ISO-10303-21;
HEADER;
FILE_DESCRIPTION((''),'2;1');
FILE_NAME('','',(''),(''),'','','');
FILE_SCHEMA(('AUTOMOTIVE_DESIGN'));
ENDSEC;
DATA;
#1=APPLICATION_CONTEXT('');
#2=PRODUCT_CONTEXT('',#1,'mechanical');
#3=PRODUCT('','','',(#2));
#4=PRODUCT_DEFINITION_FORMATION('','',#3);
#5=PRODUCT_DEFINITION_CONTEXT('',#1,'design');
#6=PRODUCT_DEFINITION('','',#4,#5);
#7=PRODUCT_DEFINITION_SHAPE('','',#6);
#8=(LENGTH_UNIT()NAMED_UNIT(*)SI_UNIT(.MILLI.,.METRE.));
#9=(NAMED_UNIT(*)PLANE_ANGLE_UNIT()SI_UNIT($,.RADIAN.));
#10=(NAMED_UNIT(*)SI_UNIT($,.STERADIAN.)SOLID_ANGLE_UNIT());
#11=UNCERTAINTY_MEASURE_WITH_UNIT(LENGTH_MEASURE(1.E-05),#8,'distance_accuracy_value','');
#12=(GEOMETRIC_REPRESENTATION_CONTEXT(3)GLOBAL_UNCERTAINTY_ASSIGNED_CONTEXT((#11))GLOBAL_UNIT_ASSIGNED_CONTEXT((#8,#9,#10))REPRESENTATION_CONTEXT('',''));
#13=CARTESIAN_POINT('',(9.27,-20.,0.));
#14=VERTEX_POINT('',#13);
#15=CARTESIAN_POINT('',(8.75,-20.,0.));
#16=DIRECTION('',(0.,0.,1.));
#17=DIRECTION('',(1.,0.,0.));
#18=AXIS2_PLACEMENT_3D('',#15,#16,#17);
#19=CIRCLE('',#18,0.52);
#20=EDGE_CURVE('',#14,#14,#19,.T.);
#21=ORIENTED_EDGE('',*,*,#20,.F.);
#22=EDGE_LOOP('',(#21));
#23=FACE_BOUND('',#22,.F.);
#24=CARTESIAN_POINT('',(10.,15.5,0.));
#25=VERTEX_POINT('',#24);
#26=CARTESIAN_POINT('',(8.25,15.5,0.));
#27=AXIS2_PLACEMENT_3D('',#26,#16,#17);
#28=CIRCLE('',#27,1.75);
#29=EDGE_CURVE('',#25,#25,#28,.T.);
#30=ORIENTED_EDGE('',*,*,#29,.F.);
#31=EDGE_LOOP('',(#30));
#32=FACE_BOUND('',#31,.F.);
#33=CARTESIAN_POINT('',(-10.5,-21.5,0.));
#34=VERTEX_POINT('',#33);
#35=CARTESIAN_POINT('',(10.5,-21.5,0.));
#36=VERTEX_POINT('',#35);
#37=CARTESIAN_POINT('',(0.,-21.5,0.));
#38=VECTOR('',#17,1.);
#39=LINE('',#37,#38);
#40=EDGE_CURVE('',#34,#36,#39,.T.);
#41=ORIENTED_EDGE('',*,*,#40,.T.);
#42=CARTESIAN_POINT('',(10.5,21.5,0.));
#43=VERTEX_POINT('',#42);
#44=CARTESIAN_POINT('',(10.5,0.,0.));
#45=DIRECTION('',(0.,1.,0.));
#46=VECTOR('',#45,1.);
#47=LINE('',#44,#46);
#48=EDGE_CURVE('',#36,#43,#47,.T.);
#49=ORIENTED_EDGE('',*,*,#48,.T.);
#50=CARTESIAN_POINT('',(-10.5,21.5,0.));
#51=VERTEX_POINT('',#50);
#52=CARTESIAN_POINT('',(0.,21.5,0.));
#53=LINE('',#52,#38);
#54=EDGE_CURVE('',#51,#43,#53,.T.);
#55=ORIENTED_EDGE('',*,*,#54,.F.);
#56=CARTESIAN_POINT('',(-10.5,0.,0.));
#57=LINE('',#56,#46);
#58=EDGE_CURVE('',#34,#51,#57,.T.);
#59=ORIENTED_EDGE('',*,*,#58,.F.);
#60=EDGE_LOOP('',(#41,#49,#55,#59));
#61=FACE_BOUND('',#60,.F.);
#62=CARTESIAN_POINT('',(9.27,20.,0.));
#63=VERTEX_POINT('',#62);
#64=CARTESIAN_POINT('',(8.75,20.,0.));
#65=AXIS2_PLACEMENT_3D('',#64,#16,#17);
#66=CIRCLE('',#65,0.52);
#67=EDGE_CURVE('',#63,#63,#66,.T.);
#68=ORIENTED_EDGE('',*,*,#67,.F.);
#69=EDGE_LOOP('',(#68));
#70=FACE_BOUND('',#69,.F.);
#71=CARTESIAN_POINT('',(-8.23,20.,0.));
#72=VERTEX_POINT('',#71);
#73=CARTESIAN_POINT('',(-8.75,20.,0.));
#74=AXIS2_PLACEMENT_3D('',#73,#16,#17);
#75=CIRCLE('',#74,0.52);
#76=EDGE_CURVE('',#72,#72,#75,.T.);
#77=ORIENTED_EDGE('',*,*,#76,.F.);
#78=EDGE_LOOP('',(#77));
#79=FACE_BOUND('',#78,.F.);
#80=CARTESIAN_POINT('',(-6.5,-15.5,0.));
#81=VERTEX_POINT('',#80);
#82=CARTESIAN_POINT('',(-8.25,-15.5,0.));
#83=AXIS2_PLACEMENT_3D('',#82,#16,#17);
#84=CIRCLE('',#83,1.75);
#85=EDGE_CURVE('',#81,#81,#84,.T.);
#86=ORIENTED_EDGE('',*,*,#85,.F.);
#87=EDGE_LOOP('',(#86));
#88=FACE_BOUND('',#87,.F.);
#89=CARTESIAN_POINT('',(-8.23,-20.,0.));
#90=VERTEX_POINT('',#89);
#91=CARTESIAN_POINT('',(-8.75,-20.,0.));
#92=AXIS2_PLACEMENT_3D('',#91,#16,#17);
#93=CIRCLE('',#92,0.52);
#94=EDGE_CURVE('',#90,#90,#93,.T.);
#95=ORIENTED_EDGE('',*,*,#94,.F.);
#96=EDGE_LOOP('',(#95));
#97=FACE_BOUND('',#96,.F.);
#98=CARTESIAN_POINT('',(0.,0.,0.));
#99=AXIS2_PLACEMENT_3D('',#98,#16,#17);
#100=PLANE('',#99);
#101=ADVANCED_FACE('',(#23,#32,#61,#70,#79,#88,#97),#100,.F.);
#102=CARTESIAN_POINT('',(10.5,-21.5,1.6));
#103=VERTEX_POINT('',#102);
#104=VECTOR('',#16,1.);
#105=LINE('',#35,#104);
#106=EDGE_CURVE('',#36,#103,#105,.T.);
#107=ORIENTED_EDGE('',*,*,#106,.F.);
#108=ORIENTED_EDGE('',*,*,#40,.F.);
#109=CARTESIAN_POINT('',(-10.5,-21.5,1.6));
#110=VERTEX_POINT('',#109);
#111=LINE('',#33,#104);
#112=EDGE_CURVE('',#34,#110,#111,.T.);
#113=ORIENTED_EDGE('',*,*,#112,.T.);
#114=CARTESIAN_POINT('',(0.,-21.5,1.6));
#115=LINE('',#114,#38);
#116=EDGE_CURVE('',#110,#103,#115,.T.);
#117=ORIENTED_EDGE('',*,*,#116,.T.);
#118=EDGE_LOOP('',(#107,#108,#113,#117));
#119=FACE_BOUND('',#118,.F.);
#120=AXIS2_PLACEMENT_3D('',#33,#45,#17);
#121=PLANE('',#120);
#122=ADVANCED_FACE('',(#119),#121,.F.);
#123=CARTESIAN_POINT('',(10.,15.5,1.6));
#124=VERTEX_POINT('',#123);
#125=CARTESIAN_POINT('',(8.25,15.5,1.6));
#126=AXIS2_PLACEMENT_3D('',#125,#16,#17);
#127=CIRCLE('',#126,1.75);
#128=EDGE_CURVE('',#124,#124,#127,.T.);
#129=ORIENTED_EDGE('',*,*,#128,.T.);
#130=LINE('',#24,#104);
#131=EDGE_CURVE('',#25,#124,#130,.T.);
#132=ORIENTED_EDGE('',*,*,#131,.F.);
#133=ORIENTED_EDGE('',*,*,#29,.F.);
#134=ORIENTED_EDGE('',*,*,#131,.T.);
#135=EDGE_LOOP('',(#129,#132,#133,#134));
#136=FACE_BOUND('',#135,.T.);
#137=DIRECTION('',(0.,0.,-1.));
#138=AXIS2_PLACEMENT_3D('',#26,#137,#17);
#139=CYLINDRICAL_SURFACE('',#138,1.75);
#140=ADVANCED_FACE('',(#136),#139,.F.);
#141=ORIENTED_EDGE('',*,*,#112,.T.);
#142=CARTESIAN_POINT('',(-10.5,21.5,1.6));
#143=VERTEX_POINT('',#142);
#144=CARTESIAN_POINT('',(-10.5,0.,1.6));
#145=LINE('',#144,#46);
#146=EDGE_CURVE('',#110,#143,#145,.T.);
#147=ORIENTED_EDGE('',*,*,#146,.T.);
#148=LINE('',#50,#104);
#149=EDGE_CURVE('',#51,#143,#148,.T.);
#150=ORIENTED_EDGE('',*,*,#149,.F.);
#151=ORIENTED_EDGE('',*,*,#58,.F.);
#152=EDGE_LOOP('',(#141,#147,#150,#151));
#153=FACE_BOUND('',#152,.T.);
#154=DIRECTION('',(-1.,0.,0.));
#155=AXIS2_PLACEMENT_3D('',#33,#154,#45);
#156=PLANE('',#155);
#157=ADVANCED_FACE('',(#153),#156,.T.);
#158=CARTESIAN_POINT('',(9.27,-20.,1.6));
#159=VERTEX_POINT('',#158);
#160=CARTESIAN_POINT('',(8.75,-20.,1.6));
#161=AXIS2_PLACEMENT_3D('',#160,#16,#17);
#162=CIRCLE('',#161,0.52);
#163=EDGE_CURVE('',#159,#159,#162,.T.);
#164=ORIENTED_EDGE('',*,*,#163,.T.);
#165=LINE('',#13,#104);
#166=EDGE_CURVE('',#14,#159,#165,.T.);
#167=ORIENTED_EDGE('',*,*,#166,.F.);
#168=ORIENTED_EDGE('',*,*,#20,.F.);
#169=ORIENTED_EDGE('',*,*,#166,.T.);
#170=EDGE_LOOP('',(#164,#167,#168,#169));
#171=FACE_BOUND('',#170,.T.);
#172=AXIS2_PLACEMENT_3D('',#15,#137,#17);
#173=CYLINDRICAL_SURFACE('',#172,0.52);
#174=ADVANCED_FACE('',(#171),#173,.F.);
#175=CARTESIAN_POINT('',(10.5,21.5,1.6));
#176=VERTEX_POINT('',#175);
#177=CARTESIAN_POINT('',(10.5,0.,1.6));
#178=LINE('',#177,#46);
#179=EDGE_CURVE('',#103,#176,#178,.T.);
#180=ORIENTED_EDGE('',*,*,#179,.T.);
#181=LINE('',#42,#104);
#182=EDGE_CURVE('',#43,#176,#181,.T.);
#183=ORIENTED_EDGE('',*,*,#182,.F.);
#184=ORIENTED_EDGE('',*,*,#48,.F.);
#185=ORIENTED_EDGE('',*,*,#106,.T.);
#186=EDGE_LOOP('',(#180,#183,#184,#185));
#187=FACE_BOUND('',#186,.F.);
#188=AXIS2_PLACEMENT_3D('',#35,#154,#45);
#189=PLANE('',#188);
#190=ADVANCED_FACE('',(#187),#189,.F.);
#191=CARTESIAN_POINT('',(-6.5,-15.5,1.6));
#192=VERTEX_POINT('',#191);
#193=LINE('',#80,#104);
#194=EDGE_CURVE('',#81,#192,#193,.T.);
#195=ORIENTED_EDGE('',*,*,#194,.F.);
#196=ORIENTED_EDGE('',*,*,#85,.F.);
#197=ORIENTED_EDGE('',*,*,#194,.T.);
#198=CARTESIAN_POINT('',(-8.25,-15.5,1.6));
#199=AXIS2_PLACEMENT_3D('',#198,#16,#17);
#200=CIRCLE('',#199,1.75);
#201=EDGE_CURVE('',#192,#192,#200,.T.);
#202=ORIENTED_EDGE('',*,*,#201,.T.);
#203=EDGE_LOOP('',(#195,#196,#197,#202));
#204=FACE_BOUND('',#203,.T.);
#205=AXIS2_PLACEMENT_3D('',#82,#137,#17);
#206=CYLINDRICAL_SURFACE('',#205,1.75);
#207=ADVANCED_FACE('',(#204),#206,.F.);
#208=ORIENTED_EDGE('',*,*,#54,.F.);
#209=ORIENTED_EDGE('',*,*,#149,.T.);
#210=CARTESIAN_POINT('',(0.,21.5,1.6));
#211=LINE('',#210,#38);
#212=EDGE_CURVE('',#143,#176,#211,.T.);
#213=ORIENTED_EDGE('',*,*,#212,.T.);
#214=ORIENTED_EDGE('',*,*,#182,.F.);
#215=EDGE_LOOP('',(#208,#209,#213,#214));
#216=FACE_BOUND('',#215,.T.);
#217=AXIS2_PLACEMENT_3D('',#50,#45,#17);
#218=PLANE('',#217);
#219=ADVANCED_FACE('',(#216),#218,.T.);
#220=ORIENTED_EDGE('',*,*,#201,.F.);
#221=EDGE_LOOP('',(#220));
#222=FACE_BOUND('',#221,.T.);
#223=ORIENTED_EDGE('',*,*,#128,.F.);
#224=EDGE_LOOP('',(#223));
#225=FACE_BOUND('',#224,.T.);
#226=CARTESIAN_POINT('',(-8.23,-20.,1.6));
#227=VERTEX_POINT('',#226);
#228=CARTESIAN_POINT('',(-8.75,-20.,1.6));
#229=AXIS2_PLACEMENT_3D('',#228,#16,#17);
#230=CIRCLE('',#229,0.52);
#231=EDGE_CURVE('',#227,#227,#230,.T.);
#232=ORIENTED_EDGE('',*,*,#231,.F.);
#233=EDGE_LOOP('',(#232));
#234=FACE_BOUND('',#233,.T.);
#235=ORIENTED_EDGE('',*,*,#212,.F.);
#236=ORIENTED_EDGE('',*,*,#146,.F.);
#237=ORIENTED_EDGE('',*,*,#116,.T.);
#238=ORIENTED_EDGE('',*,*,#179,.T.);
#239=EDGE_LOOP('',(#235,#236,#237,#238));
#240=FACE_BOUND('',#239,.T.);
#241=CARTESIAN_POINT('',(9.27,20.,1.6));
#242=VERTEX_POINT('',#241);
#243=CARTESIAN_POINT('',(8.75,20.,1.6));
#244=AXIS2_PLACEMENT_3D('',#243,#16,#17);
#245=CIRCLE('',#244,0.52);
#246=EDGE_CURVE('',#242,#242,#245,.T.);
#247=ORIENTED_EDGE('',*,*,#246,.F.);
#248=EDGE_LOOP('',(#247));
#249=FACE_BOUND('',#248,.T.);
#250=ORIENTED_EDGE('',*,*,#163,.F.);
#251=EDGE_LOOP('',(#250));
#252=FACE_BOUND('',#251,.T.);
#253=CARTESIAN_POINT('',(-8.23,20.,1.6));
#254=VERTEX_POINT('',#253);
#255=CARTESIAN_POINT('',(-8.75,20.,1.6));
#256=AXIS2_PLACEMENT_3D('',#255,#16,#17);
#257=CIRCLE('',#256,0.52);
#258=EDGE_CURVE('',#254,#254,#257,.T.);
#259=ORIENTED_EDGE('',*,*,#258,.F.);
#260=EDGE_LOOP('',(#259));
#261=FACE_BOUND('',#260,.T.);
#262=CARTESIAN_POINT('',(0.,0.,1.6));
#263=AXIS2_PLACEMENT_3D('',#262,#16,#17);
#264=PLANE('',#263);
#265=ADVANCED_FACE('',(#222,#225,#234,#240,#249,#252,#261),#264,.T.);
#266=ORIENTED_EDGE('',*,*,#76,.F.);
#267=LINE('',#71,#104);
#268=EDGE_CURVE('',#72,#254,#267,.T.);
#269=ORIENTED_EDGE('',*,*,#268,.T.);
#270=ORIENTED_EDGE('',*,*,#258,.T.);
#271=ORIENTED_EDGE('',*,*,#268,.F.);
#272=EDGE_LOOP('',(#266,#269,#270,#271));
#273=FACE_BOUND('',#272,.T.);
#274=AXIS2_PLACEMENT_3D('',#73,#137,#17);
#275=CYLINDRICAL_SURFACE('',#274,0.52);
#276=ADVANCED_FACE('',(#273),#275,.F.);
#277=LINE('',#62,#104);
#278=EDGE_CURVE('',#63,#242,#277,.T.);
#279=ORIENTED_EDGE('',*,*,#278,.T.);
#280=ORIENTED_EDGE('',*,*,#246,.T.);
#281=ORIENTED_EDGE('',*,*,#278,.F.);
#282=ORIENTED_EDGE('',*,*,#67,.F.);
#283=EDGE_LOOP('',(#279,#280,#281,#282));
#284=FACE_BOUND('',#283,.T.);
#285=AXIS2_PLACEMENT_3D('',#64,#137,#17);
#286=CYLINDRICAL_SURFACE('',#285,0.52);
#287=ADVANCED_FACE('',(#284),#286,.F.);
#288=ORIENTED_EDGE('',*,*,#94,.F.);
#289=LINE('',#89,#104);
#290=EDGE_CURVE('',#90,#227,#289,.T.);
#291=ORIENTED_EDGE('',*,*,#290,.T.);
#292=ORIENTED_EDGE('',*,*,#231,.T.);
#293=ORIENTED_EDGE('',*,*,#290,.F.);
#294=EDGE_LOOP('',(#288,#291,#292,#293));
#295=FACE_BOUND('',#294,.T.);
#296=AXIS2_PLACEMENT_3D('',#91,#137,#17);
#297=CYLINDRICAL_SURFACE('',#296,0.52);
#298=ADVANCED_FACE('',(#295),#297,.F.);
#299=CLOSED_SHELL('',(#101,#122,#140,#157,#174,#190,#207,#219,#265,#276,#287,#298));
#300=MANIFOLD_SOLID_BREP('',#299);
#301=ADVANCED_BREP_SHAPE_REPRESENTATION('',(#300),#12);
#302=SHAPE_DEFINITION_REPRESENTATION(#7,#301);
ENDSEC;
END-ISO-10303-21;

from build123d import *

# Parameters (mm, degrees)
SKETCH_W   = 21
SKETCH_H   = 43
SKETCH_R   = 0.52
SKETCH_R_2 = 1.75
PAD_DEPTH  = 1.6


with BuildPart() as part:
    # Sketch → Pad (new body)
    with BuildSketch(Plane.XY):
        Rectangle(SKETCH_W, SKETCH_H)
        with Locations((-8.75, 20)):
            Circle(SKETCH_R, mode=Mode.SUBTRACT)
        with Locations((8.75, 20)):
            Circle(SKETCH_R, mode=Mode.SUBTRACT)
        with Locations((-8.75, -20)):
            Circle(SKETCH_R, mode=Mode.SUBTRACT)
        with Locations((8.75, -20)):
            Circle(SKETCH_R, mode=Mode.SUBTRACT)
        with Locations((-8.25, -15.5)):
            Circle(SKETCH_R_2, mode=Mode.SUBTRACT)
        with Locations((8.25, 15.5)):
            Circle(SKETCH_R_2, mode=Mode.SUBTRACT)
    extrude(amount=PAD_DEPTH)


solid = part.part
